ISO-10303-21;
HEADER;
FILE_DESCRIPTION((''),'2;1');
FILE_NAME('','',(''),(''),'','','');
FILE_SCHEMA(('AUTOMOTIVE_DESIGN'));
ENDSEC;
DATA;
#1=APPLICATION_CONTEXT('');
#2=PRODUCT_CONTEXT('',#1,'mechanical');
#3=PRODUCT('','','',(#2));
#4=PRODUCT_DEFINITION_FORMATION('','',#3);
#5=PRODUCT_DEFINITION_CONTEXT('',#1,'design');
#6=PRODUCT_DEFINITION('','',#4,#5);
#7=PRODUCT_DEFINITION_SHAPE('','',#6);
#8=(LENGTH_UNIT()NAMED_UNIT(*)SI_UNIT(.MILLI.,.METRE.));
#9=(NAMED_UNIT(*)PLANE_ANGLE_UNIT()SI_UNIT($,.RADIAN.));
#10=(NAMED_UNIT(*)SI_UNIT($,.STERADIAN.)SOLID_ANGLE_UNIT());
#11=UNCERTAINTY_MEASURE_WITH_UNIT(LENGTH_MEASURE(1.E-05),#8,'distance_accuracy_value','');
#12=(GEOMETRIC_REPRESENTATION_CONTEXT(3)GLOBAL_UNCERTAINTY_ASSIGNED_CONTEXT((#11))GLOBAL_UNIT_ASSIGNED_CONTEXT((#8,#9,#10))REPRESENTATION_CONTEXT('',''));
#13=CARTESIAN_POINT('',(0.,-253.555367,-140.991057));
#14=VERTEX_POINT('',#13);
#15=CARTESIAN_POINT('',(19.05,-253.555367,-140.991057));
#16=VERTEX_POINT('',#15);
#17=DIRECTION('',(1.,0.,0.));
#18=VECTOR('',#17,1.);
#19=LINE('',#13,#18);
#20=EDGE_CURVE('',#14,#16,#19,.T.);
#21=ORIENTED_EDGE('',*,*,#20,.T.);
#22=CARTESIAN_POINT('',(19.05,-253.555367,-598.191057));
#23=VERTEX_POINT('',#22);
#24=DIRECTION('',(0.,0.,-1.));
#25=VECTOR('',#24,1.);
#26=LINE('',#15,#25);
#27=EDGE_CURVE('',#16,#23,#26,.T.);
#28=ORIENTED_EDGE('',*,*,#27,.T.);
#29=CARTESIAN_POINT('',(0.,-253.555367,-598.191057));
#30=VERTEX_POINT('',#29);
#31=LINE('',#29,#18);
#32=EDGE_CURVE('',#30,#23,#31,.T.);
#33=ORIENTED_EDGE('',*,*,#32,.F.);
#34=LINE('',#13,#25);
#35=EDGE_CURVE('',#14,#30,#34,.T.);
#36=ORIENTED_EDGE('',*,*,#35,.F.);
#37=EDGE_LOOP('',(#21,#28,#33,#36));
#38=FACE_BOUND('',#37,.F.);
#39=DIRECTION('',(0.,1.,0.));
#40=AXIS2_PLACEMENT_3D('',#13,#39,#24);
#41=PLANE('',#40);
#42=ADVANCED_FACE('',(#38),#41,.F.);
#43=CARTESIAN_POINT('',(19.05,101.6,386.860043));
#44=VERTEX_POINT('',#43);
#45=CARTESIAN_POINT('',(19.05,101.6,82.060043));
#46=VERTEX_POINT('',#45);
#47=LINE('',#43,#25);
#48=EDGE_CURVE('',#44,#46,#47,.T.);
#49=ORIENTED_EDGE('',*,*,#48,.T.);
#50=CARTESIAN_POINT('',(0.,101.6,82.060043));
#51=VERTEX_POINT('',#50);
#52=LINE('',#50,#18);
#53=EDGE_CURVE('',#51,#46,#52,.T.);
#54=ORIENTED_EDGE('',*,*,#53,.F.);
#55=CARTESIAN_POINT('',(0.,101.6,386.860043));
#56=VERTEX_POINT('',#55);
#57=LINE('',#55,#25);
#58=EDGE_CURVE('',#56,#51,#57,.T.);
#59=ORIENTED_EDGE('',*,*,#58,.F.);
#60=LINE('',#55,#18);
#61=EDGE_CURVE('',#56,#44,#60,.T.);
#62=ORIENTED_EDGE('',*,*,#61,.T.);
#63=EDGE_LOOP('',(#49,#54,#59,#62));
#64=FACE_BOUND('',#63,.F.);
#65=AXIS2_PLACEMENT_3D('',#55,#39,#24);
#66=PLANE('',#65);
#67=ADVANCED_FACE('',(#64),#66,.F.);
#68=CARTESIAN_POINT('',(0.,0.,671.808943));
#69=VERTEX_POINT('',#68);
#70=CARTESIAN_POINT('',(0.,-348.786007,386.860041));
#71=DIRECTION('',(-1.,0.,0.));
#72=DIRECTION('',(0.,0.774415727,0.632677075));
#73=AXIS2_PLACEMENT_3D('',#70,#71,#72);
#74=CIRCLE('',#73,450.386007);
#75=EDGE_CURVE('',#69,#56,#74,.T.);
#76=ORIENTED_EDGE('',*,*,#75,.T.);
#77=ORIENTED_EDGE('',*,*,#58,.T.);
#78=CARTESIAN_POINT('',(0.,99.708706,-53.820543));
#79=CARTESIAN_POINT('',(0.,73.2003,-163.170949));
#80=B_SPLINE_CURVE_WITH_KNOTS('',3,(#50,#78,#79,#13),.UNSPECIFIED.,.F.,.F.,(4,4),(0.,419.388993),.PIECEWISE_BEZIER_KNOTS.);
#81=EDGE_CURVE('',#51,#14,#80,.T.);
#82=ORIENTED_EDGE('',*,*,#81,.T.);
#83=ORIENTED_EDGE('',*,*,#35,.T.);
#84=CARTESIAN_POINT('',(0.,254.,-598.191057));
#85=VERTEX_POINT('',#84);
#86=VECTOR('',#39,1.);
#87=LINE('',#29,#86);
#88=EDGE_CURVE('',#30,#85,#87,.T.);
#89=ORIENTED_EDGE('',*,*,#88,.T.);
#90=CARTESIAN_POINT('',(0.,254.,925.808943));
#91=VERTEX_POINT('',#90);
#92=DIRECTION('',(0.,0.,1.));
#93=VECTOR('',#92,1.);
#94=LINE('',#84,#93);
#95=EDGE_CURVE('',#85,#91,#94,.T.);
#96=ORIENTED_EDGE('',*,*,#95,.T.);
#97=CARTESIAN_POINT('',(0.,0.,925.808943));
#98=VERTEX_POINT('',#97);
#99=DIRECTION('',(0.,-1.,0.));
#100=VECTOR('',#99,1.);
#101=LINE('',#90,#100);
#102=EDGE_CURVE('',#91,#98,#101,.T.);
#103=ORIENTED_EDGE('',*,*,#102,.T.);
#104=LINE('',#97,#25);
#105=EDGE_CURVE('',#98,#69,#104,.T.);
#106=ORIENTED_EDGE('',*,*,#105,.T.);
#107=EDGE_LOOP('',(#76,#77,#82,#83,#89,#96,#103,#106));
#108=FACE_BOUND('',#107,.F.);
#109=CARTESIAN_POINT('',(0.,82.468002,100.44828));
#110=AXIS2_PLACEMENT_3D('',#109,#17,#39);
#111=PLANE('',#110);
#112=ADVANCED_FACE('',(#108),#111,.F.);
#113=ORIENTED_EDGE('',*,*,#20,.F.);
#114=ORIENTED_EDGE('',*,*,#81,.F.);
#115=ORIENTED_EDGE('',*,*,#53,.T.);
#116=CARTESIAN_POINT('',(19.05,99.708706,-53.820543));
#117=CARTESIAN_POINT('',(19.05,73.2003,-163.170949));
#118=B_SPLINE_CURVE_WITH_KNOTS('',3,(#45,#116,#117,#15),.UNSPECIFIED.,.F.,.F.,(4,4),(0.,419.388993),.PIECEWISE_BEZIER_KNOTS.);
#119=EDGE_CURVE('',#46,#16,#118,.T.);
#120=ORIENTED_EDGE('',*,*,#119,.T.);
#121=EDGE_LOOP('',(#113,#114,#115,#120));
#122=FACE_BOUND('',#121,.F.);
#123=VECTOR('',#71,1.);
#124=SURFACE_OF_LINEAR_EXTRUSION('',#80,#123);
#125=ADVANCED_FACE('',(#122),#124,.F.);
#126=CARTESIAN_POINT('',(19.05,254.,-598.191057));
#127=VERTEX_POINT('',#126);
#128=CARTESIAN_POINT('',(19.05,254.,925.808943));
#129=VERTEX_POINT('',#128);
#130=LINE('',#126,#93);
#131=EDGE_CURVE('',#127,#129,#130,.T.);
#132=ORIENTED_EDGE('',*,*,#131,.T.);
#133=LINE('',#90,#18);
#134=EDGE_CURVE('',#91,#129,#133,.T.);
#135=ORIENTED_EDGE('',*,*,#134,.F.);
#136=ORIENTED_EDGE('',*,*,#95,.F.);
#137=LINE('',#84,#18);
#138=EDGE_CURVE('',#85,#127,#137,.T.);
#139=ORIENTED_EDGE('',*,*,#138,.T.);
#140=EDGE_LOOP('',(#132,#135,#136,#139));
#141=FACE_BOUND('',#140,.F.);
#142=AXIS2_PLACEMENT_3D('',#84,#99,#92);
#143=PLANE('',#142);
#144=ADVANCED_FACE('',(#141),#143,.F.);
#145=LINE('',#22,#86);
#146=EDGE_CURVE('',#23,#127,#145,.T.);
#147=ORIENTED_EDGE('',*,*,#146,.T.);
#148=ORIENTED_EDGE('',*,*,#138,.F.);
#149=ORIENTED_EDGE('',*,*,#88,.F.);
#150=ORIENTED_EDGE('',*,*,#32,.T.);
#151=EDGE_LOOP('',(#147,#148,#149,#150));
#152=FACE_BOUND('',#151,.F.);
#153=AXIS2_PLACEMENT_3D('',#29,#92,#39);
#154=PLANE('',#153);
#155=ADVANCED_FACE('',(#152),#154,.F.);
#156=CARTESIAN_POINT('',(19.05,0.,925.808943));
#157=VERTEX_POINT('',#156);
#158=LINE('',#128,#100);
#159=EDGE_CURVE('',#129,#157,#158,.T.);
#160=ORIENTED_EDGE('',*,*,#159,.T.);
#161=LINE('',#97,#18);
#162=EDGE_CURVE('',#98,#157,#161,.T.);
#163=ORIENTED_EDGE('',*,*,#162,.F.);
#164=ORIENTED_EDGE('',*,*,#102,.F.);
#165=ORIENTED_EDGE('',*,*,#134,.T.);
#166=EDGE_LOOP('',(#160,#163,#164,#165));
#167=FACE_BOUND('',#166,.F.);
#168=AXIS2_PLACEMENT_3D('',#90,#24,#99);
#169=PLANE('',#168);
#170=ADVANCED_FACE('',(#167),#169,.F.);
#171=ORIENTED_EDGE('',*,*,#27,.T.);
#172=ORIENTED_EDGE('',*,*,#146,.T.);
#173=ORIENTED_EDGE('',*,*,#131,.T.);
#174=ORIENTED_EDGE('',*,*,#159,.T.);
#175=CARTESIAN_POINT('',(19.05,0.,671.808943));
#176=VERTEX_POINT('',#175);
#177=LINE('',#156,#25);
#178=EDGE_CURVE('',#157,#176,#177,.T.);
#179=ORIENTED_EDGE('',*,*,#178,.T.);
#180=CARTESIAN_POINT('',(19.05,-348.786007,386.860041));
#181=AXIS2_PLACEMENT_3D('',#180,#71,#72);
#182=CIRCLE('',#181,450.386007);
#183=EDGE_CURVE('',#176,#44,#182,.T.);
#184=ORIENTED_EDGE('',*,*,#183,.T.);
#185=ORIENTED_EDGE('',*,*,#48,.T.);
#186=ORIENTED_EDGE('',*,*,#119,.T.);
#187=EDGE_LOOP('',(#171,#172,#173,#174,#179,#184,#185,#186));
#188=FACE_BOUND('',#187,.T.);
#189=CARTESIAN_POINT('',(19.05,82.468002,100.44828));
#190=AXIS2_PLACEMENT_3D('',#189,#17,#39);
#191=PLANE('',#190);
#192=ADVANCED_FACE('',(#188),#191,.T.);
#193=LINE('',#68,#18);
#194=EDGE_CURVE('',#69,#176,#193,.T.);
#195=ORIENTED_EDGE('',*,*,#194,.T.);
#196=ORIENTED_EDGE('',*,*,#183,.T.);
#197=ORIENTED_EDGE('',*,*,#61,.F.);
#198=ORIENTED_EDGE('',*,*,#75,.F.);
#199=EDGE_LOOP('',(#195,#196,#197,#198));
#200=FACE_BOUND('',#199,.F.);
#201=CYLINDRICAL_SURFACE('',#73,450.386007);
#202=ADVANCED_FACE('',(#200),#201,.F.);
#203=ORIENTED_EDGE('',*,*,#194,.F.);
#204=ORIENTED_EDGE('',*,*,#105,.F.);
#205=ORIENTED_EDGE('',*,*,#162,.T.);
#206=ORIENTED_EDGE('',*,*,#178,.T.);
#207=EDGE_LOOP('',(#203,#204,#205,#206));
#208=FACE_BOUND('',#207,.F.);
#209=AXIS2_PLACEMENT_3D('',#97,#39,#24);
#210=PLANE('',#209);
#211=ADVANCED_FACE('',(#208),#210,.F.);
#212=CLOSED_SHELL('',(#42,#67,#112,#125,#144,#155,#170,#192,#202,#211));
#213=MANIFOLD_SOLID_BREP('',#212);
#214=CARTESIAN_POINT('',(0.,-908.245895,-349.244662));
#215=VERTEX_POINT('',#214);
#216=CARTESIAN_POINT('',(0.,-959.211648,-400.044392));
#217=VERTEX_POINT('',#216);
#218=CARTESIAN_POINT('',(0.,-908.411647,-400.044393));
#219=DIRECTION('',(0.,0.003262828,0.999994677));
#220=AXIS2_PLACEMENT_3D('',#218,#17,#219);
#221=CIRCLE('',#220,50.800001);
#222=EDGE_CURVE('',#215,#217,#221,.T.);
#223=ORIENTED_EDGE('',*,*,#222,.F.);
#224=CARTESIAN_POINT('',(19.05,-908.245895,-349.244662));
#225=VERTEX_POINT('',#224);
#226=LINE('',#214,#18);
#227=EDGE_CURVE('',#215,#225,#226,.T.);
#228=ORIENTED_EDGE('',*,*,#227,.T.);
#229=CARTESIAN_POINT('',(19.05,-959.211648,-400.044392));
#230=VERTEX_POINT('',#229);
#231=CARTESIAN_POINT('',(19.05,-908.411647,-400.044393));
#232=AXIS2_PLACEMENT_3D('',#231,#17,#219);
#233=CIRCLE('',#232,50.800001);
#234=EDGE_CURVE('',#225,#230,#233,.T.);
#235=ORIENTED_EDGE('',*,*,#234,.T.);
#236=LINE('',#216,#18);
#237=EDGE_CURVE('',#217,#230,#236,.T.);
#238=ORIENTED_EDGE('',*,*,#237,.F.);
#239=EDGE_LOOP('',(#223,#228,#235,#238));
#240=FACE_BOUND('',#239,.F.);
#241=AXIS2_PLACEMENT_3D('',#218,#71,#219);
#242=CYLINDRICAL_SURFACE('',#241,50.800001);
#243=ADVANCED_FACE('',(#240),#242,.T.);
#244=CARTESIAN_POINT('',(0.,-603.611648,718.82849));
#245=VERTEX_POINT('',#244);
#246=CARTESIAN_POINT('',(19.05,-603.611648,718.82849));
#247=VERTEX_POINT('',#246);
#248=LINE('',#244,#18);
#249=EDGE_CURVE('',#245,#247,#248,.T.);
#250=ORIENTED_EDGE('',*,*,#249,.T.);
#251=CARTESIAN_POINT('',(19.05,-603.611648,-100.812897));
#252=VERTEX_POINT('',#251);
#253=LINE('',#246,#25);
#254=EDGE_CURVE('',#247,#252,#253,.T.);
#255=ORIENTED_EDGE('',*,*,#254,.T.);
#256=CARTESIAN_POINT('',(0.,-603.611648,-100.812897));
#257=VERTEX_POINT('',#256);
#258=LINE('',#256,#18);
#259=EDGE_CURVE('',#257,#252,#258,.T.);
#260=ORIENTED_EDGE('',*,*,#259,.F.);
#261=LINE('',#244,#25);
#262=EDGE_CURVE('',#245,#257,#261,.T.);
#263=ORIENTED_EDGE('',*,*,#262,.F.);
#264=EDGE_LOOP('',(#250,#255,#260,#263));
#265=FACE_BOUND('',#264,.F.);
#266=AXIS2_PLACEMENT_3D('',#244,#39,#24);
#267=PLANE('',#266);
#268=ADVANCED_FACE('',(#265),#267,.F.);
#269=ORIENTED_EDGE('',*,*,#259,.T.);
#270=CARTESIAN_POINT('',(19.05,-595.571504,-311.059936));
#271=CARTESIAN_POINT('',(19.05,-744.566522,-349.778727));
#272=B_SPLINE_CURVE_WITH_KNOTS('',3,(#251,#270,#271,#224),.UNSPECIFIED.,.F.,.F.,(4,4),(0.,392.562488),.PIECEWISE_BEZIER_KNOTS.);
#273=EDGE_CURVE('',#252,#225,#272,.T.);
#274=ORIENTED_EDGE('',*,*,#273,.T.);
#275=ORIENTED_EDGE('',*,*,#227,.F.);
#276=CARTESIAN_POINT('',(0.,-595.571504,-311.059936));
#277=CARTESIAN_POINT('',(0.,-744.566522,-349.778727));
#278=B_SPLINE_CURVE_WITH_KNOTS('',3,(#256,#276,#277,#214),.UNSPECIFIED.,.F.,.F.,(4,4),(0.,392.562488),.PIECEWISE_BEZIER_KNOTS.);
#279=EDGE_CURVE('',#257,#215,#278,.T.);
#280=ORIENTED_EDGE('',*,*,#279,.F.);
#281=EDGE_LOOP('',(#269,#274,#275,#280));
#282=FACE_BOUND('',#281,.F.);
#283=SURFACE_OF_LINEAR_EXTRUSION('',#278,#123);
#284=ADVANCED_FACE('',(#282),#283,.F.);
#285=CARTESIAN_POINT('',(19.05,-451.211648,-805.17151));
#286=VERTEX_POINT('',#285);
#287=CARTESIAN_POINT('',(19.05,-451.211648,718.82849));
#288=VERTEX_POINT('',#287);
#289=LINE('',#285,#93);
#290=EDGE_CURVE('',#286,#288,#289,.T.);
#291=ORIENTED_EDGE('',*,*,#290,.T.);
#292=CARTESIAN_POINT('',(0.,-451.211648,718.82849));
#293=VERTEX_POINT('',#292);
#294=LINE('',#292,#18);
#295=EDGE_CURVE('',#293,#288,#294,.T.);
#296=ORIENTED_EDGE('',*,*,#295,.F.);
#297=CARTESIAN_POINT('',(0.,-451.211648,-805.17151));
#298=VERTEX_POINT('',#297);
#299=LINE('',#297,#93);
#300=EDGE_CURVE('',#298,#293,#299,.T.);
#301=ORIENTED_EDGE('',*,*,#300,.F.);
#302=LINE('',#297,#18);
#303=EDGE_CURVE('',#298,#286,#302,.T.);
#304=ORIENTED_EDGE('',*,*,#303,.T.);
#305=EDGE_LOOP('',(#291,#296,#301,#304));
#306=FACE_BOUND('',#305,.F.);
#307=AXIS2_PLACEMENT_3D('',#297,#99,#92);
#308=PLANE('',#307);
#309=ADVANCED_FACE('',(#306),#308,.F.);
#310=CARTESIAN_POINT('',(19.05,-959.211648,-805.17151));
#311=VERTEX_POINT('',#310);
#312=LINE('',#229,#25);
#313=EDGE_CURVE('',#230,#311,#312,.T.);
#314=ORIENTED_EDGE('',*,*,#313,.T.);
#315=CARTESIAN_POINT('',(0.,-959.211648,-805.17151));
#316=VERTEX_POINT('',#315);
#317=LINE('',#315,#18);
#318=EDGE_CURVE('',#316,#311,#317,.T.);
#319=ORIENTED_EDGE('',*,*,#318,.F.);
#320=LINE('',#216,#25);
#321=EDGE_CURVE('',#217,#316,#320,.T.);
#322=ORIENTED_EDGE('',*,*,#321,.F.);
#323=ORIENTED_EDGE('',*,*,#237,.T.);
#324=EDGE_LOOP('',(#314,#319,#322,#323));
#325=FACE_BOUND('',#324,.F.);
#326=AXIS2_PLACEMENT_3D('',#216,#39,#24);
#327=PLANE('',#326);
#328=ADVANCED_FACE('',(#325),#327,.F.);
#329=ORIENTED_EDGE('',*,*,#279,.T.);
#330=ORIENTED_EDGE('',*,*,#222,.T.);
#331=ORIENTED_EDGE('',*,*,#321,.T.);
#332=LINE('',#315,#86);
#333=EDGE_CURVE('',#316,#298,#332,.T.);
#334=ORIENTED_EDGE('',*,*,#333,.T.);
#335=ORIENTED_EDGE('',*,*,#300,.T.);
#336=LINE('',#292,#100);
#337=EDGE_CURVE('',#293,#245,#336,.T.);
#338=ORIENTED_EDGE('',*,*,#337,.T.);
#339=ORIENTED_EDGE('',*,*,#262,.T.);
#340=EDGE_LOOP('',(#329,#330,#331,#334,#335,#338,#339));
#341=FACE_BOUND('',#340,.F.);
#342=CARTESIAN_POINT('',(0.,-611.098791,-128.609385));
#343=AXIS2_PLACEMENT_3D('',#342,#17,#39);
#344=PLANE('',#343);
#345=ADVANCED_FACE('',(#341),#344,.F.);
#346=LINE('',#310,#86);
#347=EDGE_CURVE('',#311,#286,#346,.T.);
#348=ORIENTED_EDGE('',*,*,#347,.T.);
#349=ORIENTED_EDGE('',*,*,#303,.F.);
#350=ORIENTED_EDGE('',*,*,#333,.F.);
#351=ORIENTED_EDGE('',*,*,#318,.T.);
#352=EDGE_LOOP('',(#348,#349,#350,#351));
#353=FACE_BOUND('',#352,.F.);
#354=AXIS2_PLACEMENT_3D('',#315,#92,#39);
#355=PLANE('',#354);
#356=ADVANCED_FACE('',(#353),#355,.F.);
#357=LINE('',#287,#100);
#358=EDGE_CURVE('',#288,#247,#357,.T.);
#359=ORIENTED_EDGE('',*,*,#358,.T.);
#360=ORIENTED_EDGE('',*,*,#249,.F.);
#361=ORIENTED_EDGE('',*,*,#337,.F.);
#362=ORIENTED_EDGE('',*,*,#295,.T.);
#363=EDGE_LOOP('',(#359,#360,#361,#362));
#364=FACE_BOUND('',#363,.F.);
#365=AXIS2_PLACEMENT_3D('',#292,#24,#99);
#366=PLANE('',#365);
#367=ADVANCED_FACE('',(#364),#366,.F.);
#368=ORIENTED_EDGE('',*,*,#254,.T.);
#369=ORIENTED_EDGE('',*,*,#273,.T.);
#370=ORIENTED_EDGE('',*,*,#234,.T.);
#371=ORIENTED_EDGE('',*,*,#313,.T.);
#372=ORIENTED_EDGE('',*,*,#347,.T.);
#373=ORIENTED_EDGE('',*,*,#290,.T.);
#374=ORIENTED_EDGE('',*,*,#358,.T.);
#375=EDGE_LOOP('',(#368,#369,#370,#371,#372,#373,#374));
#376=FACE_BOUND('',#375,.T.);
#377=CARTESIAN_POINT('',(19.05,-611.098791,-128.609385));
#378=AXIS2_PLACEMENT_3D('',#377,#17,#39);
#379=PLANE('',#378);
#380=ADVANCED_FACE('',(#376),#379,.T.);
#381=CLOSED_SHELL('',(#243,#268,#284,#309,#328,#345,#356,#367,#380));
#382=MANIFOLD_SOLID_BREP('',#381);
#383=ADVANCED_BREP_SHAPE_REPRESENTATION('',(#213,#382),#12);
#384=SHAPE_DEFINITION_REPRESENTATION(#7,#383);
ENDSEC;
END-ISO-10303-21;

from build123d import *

# Parameters (mm, degrees)
F1_DEPTH = 19.05
F3_DEPTH = 19.05


with BuildPart() as f1:
    # F0 (on Right) → F1 (new body)
    with BuildSketch(Plane.YZ):
        with BuildLine():
            Line((254, -598.191057), (254, 925.808943))
            Line((254, 925.808943), (0, 925.808943))
            Line((0, 925.808943), (0, 671.808943))
            ThreePointArc((0, 671.808943), (75.440284, 538.120113), (101.6, 386.860043))
            Line((101.6, 386.860043), (101.6, 82.060043))
            add(Edge.make_bspline(
                [(101.6, 82.060043), (99.708706, -53.820543), (73.2003, -163.170949), (-253.555367, -140.991057)],
                knots=[0, 0, 0, 0, 419.388993, 419.388993, 419.388993, 419.388993], degree=3))
            Line((-253.555367, -140.991057), (-253.555367, -598.191057))
            Line((-253.555367, -598.191057), (254, -598.191057))
        make_face()
    extrude(amount=F1_DEPTH)


with BuildPart() as f3:
    # F2 (on Right) → F3 (new body)
    with BuildSketch(Plane.YZ):
        with BuildLine():
            Line((-451.211648, -805.17151), (-451.211648, 718.82849))
            Line((-451.211648, 718.82849), (-603.611648, 718.82849))
            Line((-603.611648, 718.82849), (-603.611648, -100.812897))
            add(Edge.make_bspline(
                [(-603.611648, -100.812897), (-595.571504, -311.059936), (-744.566522, -349.778727), (-908.245895, -349.244662)],
                knots=[0, 0, 0, 0, 392.562488, 392.562488, 392.562488, 392.562488], degree=3))
            ThreePointArc((-908.245895, -349.244662), (-944.274022, -364.064813), (-959.211648, -400.044392))
            Line((-959.211648, -400.044392), (-959.211648, -805.17151))
            Line((-959.211648, -805.17151), (-451.211648, -805.17151))
        make_face()
    extrude(amount=F3_DEPTH)


solid = Compound([f1.part, f3.part])
